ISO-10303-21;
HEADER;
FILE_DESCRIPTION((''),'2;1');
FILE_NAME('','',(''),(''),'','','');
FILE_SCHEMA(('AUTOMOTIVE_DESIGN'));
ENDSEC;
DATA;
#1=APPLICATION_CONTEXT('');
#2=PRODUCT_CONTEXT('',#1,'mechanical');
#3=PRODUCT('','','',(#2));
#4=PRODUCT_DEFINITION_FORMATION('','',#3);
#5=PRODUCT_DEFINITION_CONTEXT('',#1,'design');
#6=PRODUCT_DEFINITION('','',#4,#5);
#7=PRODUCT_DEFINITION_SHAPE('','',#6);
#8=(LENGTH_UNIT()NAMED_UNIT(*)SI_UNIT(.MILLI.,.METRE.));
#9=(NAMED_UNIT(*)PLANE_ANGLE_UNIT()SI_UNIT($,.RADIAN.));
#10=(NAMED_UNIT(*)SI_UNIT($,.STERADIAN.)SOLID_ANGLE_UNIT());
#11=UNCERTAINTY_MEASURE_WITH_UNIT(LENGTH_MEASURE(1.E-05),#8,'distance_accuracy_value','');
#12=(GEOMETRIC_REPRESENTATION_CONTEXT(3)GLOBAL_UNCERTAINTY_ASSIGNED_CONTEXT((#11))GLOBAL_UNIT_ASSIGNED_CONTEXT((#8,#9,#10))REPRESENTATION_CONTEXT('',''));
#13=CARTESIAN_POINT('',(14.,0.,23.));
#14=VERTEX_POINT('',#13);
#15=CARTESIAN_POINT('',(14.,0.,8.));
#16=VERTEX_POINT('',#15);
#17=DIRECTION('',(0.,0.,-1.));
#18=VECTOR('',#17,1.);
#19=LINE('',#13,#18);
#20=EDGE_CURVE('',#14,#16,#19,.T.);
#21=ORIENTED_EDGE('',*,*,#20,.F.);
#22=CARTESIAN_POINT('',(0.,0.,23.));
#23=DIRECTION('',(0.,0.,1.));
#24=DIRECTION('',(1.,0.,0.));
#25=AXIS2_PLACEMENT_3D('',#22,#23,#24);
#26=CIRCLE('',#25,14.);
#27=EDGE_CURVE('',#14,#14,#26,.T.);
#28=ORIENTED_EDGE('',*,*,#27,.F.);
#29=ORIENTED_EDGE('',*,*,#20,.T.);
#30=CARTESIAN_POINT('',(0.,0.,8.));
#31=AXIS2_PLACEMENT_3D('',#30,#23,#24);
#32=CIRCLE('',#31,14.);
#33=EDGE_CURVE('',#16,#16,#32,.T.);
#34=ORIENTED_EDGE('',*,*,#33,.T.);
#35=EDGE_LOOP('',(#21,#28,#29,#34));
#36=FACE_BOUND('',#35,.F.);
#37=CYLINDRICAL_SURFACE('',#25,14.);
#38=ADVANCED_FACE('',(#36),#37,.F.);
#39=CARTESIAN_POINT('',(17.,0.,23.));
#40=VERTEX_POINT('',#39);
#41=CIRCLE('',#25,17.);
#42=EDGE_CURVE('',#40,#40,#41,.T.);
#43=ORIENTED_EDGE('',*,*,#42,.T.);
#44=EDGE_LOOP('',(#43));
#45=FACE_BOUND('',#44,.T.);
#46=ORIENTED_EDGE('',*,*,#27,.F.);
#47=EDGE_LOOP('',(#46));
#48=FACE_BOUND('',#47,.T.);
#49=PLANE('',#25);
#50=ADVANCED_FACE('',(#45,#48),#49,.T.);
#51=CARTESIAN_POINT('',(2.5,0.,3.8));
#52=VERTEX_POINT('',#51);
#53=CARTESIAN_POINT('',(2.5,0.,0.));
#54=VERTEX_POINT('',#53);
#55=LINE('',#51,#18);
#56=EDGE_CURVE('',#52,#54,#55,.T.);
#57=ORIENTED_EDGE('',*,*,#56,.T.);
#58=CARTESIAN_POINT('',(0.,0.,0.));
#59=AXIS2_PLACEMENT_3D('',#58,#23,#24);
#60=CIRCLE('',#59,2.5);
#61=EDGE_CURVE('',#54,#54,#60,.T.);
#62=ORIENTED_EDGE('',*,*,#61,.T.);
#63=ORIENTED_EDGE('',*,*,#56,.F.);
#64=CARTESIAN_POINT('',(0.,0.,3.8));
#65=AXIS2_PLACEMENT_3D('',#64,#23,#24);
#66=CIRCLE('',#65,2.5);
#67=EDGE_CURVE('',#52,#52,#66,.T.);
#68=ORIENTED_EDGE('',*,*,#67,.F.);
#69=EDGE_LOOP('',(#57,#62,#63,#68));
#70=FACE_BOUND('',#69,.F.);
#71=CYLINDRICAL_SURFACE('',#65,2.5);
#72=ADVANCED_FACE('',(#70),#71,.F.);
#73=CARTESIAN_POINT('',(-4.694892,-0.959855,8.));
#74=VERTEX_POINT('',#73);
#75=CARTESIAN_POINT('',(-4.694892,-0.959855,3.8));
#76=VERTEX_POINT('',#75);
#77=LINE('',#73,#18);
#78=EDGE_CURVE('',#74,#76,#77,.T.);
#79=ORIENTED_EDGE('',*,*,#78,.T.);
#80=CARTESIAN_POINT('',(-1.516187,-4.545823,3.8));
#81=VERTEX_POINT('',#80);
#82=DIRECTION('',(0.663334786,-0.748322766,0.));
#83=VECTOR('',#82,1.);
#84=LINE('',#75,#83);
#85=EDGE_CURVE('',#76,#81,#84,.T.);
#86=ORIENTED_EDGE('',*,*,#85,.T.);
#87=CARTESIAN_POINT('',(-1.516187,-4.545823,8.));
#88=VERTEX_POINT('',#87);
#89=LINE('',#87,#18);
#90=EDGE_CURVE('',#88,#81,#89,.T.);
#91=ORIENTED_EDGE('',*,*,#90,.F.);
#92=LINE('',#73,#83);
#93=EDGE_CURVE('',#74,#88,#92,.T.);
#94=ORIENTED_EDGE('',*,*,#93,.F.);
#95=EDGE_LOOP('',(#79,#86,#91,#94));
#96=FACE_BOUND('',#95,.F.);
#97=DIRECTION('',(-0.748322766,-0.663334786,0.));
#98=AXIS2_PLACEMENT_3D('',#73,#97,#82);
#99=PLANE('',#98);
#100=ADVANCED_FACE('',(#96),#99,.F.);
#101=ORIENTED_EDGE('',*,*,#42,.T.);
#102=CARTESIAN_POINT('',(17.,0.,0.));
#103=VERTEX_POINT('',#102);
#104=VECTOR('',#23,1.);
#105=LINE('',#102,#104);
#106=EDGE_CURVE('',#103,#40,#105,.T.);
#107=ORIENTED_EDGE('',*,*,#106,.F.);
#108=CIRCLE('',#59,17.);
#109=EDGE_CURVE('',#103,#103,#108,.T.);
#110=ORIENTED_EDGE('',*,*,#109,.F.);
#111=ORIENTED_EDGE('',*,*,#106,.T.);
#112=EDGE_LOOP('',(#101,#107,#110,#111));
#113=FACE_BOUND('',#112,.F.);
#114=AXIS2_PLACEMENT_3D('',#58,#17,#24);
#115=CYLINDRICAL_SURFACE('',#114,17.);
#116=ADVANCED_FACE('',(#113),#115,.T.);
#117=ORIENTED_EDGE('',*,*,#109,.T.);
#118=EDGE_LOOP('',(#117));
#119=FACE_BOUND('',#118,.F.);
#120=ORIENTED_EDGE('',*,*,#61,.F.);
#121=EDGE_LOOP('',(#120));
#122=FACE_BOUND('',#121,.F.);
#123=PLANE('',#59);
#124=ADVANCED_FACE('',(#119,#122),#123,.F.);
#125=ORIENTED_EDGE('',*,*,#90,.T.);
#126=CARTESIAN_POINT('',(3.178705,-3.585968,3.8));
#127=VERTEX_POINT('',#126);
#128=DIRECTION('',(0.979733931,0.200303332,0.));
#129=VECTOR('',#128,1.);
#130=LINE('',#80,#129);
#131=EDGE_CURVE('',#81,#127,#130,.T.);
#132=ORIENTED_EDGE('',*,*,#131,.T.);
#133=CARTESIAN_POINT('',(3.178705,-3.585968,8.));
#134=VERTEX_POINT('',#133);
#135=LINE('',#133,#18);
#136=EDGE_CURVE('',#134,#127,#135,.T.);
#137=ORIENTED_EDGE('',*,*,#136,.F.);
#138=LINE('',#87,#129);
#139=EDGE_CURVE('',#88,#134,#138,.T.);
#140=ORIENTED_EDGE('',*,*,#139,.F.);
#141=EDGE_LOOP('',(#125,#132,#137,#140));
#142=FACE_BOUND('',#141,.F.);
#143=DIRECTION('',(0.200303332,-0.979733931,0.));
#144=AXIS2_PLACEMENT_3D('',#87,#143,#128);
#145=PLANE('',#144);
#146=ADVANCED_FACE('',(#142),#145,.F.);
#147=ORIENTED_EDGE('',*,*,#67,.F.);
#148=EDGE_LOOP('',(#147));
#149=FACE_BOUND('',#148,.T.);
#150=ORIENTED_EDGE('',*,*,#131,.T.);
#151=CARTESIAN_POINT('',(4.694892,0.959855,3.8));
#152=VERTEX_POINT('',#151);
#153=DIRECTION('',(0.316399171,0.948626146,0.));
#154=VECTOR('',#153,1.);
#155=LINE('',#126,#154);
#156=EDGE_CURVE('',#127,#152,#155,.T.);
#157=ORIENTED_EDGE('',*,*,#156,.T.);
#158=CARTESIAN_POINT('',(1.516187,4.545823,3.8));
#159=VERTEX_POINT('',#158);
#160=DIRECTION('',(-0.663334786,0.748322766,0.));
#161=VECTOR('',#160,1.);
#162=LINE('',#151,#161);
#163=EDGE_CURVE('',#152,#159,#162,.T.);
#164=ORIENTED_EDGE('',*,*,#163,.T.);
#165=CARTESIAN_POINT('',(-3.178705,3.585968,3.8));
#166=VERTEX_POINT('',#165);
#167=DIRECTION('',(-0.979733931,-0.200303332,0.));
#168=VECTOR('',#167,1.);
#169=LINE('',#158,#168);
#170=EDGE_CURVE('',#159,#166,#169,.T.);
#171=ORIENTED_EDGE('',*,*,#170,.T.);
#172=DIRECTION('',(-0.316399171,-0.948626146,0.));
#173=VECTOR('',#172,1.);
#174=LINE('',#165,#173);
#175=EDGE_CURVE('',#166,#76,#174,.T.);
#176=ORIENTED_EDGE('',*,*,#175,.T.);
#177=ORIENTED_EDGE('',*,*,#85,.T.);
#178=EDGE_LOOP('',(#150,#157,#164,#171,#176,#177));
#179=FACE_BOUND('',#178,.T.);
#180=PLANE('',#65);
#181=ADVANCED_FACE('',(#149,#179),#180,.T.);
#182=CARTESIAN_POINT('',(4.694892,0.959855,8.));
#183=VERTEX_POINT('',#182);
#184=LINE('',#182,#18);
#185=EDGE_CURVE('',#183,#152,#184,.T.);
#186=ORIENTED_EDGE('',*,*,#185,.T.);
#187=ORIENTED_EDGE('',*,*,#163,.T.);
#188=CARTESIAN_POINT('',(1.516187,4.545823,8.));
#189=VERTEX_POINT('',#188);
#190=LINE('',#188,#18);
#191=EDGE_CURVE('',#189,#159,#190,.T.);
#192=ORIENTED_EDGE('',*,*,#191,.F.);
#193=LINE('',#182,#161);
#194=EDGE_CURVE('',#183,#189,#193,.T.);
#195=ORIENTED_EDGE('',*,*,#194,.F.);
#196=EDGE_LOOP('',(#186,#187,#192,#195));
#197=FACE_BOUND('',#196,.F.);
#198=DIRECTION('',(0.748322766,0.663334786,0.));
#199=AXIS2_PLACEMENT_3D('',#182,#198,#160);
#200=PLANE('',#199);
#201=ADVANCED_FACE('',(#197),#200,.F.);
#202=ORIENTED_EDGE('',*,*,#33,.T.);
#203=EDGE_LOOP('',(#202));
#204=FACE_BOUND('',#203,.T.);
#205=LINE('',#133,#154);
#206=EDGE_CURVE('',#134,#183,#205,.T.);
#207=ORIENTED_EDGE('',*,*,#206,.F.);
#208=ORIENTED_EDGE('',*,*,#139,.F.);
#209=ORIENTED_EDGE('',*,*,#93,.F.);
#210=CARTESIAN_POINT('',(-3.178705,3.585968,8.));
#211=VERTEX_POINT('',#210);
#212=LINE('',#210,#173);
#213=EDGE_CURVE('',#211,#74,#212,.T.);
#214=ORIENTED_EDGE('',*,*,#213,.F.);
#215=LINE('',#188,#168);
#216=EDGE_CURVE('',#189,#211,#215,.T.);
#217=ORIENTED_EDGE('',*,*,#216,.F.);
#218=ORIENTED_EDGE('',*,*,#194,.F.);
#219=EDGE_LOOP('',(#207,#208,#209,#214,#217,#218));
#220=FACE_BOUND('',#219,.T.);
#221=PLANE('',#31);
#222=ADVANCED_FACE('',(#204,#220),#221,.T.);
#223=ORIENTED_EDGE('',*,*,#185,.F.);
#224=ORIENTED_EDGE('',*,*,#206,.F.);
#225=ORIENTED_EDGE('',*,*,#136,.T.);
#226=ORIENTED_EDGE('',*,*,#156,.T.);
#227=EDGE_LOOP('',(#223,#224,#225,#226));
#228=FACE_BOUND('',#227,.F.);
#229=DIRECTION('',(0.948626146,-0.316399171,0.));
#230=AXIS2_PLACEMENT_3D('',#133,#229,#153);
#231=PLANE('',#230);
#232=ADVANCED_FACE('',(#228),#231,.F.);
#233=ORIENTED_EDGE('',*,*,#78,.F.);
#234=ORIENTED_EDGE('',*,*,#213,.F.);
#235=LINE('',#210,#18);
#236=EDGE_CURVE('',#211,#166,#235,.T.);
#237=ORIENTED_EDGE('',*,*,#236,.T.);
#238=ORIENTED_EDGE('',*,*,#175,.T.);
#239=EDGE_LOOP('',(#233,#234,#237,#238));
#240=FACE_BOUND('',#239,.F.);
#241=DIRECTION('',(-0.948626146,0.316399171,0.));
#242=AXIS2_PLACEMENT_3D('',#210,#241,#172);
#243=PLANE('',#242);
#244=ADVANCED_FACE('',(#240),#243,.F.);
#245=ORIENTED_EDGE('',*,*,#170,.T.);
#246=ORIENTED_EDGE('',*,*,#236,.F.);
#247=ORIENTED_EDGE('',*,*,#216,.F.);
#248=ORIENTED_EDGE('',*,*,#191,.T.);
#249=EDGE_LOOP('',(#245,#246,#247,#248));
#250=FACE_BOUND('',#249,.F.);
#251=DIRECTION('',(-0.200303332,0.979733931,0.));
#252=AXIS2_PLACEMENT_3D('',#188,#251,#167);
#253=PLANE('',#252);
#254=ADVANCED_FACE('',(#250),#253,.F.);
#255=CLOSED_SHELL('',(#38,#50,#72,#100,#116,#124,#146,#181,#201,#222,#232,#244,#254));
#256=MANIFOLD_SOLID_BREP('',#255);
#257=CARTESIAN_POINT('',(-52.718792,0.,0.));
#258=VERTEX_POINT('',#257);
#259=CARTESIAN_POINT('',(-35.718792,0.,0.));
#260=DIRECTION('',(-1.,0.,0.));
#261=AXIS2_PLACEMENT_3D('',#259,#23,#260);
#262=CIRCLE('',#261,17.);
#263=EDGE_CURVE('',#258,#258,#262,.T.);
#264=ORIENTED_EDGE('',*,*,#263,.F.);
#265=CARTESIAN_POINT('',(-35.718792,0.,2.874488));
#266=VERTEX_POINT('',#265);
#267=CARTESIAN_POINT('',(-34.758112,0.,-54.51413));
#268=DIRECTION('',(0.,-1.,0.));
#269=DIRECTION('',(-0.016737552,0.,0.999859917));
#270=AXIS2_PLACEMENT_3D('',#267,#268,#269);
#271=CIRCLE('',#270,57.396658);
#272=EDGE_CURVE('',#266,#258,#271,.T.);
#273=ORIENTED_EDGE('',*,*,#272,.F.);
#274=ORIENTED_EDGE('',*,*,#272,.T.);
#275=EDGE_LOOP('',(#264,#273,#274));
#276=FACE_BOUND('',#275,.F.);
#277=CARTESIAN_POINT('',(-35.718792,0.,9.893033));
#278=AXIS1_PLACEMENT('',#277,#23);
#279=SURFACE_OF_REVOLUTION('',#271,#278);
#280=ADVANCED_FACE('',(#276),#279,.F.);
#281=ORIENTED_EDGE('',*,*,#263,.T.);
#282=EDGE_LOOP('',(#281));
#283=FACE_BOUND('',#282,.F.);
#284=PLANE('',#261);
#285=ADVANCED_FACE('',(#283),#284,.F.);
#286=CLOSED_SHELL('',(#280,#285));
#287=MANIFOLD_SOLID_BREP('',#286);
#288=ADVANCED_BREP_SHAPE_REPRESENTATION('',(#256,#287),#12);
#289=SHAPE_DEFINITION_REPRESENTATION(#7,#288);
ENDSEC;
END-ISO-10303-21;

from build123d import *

# Parameters (mm, degrees)
F0_R     = 17
F1_DEPTH = 23
F2_R     = 14
F3_DEPTH = 15
F5_DEPTH = 4.2
F6_R     = 2.5
F7_DEPTH = 25


with BuildPart() as f1:
    # F0 (on Top) → F1 (new body)
    with BuildSketch(Plane.XY):
        Circle(F0_R)
    extrude(amount=F1_DEPTH)

    # F2 (on face) → F3 (cut)
    with BuildSketch(Plane.XY.offset(23)):
        Circle(F2_R)
    extrude(amount=-F3_DEPTH, mode=Mode.SUBTRACT)

    # F4 (on face) → F5 (cut)
    with BuildSketch(Plane.XY.offset(8)):
        Polygon((3.178705, -3.585968), (4.694892, 0.959855), (1.516187, 4.545823), (-3.178705, 3.585968), (-4.694892, -0.959855), (-1.516187, -4.545823), align=None)
    extrude(amount=-F5_DEPTH, mode=Mode.SUBTRACT)

    # F6 (on face) → F7 (cut)
    with BuildSketch(Plane.XY.offset(3.8)):
        Circle(F6_R)
    extrude(amount=-F7_DEPTH, mode=Mode.SUBTRACT)


with BuildPart() as f9:
    # F8 (on Front) → F9 (revolve)
    with BuildSketch(Plane.XZ):
        with BuildLine():
            Line((-52.718792, 0), (-35.718792, 0))
            Line((-35.718792, 0), (-35.718792, 2.874488))
            ThreePointArc((-35.718792, 2.874488), (-44.327341, 2.079211), (-52.718792, 0))
        make_face()
    revolve(axis=Axis((-35.718792, 0, 9.893033), (0, 0, 1)))


solid = Compound([f1.part, f9.part])
